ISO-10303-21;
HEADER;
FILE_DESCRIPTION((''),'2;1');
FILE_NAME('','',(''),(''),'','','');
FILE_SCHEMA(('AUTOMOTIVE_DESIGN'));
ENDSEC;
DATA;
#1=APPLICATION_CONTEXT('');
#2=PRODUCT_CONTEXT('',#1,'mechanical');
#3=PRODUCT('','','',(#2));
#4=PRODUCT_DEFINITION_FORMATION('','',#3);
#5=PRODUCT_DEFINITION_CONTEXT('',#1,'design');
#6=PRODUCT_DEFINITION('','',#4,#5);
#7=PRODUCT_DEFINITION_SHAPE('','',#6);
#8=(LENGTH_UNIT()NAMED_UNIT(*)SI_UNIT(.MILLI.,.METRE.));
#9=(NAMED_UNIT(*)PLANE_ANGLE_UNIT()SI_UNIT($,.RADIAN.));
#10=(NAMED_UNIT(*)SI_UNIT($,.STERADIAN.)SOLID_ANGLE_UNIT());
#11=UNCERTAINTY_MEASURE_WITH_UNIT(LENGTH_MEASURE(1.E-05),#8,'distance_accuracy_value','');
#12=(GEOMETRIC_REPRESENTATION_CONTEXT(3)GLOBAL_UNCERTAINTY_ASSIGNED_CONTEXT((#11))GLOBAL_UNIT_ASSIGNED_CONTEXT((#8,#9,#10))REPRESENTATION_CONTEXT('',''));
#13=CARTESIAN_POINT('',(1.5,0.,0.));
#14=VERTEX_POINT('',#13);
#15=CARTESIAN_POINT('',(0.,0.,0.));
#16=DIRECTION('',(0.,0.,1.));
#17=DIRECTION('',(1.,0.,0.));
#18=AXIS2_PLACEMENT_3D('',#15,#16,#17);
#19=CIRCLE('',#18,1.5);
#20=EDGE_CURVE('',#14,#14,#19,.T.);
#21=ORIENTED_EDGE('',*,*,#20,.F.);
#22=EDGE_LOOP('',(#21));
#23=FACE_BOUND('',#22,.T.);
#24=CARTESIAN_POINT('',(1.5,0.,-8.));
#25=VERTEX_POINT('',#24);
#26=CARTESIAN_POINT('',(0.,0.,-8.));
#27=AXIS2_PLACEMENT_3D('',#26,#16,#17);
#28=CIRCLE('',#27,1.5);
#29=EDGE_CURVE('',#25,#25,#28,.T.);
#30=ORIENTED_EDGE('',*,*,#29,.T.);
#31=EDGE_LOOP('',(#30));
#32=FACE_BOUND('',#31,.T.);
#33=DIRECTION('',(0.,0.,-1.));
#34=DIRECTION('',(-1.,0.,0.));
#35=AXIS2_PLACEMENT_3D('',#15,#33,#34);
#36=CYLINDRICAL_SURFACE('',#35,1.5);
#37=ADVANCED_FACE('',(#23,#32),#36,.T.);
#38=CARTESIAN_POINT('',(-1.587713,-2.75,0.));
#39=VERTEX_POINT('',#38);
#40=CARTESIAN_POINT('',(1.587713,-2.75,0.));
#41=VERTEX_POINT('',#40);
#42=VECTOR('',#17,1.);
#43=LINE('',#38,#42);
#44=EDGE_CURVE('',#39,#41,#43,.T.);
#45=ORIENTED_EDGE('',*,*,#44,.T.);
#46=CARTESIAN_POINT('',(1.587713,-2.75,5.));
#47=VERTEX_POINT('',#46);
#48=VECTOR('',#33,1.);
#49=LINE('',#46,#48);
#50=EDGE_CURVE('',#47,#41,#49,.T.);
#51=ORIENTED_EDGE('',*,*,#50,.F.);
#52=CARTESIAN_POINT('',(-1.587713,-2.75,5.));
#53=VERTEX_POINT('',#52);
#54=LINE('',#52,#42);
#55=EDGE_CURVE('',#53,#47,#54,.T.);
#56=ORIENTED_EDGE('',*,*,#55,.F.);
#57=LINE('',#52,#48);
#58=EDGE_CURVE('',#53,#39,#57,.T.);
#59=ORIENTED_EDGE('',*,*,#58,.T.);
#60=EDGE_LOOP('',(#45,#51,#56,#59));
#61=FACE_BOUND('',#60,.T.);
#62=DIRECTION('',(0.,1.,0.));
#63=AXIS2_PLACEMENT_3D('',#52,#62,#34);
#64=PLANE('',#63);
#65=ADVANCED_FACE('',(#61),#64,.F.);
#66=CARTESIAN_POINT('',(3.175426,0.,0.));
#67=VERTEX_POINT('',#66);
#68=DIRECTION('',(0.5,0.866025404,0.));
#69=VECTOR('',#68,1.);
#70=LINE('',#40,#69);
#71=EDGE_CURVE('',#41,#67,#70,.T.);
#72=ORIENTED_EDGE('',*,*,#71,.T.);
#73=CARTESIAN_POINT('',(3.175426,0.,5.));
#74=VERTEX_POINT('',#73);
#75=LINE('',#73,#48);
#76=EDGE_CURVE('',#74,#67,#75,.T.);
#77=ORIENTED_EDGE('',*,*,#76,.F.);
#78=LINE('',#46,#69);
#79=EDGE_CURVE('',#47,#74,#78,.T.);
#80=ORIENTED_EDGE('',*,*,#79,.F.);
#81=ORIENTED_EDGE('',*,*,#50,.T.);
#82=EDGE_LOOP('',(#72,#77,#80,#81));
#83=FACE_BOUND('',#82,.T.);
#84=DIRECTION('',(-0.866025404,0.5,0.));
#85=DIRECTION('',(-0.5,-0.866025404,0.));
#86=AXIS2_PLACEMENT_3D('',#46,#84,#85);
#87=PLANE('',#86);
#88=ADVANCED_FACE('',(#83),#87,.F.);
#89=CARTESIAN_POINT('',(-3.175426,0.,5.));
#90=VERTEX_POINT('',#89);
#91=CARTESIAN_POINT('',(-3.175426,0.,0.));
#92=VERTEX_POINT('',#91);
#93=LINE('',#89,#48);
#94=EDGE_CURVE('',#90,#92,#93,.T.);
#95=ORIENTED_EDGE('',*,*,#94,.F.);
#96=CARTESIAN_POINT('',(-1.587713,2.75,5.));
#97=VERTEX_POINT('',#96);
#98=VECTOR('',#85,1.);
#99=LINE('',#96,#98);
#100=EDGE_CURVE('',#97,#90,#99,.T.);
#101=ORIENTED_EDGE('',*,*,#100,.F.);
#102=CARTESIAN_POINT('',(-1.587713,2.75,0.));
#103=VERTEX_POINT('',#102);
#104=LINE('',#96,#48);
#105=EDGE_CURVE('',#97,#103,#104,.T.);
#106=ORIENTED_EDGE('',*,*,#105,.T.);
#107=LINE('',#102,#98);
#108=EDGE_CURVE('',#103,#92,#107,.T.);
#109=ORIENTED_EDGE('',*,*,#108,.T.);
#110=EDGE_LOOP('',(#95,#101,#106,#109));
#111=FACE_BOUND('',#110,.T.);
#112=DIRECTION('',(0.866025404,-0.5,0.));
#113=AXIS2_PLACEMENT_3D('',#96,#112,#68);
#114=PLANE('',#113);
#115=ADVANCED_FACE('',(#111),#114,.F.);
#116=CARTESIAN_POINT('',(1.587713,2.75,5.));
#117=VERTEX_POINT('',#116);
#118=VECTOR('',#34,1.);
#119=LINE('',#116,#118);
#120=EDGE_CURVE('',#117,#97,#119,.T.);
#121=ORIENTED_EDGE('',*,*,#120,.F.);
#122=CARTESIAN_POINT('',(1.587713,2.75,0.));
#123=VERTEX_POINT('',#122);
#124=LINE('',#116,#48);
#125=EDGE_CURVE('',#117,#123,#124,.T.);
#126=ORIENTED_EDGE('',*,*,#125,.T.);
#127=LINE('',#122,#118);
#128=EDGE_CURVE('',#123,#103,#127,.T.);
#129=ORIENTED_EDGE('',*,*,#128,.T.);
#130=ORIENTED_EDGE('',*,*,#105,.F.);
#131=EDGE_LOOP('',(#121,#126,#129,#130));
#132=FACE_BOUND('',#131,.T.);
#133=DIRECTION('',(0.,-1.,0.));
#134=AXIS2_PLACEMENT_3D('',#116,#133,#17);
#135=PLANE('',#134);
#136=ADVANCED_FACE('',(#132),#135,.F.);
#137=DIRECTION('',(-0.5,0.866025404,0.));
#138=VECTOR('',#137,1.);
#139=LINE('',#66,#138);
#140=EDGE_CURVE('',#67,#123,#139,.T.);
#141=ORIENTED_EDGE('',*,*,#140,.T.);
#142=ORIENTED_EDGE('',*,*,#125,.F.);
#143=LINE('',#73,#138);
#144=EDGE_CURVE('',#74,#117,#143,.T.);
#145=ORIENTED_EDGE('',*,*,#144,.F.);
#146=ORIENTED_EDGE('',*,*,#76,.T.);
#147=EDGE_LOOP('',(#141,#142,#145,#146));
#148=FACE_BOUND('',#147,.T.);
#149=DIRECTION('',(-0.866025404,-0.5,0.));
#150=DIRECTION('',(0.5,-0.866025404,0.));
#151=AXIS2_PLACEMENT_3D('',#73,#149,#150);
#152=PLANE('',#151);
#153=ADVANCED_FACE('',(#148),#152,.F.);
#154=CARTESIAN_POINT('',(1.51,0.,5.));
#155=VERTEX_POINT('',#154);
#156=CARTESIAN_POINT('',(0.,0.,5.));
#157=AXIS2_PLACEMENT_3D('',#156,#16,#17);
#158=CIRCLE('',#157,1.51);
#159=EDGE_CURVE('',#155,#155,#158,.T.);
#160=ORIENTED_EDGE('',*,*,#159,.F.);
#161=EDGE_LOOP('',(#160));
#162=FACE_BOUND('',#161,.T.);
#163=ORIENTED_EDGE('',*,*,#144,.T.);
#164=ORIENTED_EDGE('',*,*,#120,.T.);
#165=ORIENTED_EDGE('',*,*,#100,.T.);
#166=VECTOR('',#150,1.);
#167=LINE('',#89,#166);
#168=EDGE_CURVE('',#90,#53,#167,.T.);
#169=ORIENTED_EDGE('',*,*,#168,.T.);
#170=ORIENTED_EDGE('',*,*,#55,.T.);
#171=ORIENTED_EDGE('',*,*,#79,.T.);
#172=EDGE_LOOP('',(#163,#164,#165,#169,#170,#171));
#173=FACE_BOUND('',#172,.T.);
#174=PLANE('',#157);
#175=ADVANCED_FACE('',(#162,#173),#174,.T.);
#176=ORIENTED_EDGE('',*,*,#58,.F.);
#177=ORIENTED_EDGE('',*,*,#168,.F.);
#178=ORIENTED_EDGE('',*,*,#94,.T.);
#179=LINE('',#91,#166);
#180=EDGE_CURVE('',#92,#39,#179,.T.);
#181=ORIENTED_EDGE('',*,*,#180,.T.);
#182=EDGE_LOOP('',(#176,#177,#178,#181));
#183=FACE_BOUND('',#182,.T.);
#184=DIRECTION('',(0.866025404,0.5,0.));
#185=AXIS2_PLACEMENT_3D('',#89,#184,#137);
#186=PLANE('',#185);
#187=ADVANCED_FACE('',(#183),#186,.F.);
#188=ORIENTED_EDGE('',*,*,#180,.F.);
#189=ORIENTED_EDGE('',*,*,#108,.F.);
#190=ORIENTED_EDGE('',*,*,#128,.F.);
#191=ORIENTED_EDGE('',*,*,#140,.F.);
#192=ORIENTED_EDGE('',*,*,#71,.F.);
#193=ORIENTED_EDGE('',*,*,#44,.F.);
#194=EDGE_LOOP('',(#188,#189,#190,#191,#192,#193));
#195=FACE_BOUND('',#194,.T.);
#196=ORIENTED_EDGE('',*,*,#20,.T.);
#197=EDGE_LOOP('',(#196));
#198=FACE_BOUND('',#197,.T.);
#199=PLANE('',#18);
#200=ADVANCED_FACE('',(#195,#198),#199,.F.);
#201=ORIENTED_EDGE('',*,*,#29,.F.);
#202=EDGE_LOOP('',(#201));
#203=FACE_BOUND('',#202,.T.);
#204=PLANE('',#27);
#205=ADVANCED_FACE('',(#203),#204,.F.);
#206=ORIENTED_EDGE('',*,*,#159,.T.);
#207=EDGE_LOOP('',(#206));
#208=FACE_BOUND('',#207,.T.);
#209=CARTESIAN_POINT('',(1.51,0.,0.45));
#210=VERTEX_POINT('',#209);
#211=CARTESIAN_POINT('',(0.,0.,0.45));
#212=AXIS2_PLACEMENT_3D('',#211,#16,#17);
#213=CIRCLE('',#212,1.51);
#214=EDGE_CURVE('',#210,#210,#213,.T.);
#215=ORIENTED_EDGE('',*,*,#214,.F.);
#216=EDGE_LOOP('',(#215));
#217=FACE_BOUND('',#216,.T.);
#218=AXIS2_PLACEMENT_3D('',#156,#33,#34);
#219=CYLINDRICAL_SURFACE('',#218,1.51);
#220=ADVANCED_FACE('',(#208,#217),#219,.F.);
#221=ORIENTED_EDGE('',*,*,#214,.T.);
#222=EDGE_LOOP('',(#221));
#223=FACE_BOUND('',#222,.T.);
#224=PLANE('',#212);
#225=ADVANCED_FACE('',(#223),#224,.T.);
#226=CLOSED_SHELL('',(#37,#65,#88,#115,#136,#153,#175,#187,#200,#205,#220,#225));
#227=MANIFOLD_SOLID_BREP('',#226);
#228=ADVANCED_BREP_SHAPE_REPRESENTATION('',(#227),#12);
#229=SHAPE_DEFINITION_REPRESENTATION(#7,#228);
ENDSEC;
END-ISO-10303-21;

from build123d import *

# Parameters (mm, degrees)
FEMALE_HEX_STANDOFF_SKETCH_R  = 1.51
FEMALE_HEX_STANDOFF_DEPTH     = 5
STUD_ROOT_SKETCH_R            = 1.85
STUD_ROOT_DEPTH               = 0.45
MALE_THREAD_ENVELOPE_START    = -8
MALE_THREAD_ENVELOPE_SKETCH_R = 1.5
MALE_THREAD_ENVELOPE_DEPTH    = 8


with BuildPart() as part:
    # Female_hex_standoff_Sketch → Female_hex_standoff (new body)
    with BuildSketch(Plane.XY):
        Polygon((3.175426481, 0), (1.58771324, 2.75), (-1.58771324, 2.75), (-3.175426481, 0), (-1.58771324, -2.75), (1.58771324, -2.75), align=None)
        Circle(FEMALE_HEX_STANDOFF_SKETCH_R, mode=Mode.SUBTRACT)
    extrude(amount=FEMALE_HEX_STANDOFF_DEPTH)

    # Stud_root_Sketch → Stud_root (add)
    with BuildSketch(Plane.XY):
        Circle(STUD_ROOT_SKETCH_R)
    extrude(amount=STUD_ROOT_DEPTH)

    # Male_thread_envelope_Sketch → Male_thread_envelope (add)
    with BuildSketch(Plane.XY.offset(MALE_THREAD_ENVELOPE_START)):
        Circle(MALE_THREAD_ENVELOPE_SKETCH_R)
    extrude(amount=MALE_THREAD_ENVELOPE_DEPTH)


solid = part.part
